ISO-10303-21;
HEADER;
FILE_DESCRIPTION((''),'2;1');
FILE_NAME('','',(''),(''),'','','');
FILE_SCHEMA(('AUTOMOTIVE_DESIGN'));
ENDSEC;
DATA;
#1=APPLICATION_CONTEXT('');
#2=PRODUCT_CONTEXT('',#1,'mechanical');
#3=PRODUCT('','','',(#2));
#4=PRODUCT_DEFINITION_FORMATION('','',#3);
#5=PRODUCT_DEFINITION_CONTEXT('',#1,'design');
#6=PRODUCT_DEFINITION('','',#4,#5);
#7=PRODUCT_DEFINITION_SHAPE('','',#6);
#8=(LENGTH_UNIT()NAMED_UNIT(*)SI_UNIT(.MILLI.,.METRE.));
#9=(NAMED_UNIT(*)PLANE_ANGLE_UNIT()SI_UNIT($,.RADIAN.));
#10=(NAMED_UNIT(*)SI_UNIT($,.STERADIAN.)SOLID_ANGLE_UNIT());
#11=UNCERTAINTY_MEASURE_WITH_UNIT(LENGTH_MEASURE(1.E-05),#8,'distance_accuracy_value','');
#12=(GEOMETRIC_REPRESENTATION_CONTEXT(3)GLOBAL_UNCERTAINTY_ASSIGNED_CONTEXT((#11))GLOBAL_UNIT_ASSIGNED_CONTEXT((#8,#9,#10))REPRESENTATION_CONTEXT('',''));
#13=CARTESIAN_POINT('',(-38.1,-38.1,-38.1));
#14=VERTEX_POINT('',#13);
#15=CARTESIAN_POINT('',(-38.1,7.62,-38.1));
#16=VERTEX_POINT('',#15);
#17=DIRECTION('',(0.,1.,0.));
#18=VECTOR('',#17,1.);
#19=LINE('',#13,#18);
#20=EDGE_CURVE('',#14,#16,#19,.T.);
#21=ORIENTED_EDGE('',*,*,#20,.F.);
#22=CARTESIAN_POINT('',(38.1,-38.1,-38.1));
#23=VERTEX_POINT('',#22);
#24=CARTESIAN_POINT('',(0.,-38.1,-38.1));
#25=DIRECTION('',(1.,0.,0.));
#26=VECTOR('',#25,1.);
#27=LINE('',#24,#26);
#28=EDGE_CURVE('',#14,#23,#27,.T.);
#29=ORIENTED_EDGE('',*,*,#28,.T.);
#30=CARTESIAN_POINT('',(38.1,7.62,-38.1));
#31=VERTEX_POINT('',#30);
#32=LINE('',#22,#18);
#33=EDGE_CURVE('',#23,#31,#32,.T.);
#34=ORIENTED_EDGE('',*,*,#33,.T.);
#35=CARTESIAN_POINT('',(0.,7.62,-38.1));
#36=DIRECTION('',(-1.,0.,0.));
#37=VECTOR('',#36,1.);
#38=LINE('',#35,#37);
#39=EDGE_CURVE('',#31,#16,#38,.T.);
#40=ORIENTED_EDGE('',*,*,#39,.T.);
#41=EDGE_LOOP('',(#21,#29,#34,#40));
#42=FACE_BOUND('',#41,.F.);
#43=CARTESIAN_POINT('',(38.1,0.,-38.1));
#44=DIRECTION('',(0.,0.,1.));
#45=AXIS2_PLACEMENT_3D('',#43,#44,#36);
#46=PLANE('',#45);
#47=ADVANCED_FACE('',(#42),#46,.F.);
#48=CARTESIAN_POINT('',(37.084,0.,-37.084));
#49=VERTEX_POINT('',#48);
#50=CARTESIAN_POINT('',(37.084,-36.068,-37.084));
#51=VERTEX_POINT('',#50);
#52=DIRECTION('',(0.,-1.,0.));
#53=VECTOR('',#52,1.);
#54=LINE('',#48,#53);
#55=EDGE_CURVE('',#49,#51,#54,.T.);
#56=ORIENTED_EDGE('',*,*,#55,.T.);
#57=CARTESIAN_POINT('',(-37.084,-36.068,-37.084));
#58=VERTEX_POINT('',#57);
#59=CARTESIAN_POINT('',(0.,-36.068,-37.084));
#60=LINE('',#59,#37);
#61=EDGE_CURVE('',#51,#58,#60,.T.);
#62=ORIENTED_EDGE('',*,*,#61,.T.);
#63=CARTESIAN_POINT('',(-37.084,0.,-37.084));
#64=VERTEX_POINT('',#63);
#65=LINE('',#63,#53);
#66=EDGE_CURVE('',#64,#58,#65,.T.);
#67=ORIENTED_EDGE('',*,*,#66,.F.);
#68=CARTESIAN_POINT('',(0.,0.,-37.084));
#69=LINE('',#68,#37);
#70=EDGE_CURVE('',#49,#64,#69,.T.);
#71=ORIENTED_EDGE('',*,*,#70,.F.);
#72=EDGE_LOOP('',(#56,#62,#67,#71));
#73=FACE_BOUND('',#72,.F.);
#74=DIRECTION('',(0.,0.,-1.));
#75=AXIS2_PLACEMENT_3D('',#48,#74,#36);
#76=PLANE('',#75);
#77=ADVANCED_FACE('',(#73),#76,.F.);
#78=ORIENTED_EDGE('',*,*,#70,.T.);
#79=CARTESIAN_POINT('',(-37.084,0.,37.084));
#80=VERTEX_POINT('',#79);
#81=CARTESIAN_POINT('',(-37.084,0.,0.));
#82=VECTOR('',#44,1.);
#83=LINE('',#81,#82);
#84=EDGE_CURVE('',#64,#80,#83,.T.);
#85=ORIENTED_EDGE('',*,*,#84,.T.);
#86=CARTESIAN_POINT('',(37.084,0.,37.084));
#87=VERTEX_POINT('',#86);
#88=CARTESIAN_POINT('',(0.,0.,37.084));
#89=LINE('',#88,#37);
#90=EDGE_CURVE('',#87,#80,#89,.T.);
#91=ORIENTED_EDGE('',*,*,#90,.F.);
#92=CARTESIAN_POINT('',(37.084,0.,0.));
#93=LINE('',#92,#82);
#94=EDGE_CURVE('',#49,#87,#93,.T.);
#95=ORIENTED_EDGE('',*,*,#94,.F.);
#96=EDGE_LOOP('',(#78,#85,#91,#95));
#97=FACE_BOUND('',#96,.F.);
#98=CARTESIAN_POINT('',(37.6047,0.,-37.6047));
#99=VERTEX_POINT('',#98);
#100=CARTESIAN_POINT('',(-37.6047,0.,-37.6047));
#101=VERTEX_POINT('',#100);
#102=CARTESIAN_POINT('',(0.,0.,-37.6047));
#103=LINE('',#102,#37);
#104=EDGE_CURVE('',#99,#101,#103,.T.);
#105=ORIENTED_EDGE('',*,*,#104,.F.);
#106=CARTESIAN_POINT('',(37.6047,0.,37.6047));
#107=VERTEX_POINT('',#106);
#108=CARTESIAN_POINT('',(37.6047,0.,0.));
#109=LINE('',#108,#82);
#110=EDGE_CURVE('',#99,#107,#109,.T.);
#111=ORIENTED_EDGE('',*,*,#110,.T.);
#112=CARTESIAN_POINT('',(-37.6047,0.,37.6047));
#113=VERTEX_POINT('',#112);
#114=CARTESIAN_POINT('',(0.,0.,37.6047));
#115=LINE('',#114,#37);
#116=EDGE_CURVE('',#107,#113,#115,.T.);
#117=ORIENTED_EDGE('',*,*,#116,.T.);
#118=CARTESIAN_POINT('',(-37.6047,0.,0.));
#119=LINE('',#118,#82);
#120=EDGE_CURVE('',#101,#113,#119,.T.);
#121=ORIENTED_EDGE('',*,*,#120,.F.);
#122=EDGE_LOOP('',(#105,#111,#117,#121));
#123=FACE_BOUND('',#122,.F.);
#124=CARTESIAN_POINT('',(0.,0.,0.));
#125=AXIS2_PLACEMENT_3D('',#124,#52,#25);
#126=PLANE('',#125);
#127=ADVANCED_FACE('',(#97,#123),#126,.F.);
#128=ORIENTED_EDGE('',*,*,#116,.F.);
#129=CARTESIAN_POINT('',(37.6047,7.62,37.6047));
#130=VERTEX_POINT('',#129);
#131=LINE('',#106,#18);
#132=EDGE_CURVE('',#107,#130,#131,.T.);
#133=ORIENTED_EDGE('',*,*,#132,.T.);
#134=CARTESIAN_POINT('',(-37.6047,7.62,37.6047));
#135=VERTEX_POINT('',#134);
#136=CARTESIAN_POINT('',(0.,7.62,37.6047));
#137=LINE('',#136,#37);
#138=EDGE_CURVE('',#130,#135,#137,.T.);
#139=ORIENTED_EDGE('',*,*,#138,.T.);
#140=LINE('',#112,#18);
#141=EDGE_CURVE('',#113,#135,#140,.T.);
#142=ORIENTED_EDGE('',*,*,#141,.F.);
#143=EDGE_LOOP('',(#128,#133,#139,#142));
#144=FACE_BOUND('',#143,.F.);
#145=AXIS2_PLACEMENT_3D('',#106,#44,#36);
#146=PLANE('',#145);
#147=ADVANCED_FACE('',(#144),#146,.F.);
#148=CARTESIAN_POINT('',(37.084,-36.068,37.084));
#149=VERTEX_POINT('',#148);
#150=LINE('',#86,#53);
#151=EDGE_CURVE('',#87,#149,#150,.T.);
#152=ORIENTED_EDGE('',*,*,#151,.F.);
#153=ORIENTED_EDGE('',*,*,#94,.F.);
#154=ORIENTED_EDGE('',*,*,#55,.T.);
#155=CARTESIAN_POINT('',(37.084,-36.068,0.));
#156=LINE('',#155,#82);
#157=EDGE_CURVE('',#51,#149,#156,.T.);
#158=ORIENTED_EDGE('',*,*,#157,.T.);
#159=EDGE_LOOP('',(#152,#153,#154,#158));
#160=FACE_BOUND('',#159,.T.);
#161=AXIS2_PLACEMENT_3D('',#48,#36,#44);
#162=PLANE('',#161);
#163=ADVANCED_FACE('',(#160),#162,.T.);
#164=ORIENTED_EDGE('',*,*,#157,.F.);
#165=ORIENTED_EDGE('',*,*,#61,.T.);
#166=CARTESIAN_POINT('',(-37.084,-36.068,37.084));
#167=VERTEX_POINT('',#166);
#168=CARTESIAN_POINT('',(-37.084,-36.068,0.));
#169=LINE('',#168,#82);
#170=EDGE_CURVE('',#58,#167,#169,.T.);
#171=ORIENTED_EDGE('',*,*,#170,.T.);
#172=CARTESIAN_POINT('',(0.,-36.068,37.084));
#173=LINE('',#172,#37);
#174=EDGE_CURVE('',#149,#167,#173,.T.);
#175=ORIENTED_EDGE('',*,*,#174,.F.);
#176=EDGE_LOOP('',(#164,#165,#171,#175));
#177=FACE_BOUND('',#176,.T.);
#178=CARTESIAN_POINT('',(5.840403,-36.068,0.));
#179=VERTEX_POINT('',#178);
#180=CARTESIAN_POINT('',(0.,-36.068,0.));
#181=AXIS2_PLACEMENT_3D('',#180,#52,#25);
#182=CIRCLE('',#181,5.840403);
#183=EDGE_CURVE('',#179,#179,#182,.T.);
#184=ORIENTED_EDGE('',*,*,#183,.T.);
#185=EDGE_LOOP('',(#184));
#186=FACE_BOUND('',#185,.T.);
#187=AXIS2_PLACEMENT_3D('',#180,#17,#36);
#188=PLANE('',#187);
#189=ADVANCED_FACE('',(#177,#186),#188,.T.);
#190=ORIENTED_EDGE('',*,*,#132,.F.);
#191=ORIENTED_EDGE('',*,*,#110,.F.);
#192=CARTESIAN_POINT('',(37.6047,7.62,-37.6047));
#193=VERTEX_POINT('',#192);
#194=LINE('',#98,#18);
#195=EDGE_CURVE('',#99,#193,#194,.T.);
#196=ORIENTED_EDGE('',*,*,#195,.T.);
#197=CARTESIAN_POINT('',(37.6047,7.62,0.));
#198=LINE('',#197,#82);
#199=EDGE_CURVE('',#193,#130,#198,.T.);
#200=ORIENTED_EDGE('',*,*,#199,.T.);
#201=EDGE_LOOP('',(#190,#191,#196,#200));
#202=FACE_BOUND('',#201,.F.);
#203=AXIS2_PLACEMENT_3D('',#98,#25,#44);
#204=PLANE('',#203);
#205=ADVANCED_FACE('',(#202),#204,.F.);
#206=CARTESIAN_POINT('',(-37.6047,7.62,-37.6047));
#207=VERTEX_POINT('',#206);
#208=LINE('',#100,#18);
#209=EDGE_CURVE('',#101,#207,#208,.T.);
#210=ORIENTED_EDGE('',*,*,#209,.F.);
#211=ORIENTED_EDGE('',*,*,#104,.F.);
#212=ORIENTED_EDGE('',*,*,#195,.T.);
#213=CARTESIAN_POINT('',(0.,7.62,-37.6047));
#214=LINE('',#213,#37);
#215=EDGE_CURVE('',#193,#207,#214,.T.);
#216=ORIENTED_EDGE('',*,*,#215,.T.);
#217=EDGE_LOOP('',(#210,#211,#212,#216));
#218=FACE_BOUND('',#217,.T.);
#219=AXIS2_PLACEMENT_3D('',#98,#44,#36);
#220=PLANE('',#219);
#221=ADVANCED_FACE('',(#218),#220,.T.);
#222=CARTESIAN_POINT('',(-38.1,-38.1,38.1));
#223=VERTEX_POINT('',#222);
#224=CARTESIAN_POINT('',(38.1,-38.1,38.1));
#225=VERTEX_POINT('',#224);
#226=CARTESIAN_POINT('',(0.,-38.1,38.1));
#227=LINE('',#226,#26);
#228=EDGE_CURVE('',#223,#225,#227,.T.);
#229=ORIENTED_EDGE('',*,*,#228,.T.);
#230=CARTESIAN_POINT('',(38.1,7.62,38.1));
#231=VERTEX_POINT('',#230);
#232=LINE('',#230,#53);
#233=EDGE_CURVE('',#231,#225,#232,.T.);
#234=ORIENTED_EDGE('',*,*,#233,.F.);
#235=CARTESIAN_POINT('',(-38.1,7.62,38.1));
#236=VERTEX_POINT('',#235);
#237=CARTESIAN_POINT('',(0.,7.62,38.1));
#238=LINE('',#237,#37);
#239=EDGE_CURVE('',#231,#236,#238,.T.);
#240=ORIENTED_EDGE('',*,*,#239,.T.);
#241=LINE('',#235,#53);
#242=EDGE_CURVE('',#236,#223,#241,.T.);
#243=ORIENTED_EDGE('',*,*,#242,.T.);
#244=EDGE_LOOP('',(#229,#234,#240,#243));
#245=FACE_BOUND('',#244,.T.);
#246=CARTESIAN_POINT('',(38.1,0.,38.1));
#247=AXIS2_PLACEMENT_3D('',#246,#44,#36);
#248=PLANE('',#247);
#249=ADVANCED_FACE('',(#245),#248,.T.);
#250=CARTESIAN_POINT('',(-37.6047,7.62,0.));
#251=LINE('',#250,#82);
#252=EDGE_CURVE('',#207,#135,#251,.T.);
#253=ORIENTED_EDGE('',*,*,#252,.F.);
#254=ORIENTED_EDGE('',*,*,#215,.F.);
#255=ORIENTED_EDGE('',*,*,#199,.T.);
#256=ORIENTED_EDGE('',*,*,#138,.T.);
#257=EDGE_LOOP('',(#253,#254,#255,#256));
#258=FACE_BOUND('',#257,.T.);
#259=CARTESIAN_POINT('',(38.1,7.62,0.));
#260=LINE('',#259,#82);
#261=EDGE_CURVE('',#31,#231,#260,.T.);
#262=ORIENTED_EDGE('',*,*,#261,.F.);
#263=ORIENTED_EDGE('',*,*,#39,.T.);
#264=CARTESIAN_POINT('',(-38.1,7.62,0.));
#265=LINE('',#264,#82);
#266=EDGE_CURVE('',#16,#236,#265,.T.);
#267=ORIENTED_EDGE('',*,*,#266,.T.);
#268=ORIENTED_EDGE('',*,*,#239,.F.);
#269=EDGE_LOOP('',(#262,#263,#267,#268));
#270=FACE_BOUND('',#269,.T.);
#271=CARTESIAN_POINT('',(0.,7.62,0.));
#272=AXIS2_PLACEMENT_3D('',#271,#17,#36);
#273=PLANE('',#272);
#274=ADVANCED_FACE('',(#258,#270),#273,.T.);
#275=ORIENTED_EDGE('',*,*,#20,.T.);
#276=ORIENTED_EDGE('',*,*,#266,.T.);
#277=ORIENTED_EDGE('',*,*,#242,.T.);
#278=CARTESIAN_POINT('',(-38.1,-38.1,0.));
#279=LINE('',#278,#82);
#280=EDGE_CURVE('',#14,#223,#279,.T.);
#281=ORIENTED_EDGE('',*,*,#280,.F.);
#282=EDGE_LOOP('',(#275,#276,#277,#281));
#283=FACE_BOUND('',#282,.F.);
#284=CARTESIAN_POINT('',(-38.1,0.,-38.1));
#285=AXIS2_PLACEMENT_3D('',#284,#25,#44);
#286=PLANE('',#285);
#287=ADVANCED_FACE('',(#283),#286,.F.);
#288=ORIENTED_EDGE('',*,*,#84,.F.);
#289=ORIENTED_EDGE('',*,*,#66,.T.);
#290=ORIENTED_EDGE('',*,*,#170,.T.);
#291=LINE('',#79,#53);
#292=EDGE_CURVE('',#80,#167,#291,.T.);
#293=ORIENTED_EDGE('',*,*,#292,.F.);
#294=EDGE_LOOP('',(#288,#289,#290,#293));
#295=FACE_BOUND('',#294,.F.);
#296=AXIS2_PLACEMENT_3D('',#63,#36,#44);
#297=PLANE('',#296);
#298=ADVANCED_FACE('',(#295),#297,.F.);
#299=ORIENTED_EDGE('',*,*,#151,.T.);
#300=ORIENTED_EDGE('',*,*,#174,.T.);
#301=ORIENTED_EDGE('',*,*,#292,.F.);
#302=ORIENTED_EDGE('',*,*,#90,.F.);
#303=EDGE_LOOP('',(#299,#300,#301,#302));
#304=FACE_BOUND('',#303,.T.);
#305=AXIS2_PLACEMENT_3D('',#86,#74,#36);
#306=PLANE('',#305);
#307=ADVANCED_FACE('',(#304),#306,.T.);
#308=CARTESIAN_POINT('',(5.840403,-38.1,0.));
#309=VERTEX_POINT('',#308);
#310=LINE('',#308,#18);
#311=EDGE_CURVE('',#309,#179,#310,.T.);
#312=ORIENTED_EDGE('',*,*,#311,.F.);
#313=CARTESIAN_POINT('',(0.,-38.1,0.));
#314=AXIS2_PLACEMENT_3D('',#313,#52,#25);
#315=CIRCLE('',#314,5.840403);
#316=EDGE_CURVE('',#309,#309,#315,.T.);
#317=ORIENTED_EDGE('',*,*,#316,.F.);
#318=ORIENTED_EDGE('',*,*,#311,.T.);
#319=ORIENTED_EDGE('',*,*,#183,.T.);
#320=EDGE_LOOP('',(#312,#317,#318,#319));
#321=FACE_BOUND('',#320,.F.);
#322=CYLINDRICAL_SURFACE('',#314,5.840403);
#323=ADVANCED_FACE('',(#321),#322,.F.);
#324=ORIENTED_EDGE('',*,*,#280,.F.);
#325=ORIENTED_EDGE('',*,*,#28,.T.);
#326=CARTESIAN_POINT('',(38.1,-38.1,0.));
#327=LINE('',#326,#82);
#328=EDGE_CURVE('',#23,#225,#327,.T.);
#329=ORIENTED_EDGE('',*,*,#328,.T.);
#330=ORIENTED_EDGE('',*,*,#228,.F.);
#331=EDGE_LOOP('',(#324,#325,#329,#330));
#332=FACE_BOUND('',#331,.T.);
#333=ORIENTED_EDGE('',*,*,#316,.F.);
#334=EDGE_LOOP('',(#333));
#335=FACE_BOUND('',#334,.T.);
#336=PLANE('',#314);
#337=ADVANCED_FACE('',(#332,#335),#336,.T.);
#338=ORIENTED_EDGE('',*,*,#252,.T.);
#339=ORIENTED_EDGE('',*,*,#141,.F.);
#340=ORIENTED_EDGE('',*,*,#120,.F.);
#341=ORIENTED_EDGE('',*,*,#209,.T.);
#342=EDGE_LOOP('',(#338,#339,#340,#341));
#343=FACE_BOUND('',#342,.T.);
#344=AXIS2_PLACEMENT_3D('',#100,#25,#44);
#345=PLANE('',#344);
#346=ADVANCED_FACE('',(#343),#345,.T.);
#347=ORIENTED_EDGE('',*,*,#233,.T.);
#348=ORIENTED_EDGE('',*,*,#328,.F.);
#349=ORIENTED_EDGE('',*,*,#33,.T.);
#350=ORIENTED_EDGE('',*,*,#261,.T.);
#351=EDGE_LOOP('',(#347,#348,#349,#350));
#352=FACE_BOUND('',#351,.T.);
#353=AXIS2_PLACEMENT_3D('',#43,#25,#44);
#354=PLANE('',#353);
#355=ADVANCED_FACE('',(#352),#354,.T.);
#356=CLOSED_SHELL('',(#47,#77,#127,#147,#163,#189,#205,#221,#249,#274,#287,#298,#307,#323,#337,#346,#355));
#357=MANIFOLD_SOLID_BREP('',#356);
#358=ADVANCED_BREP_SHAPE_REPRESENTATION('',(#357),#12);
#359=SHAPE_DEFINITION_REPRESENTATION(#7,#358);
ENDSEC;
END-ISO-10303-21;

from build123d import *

# Parameters (mm, degrees)
F0_W     = 76.2
F0_H     = 76.2
F1_DEPTH = 38.1
F2_W     = 74.168
F2_H     = 74.168
F3_DEPTH = 36.068
F4_W     = 75.2094
F4_H     = 75.2094
F4_W_2   = 76.2
F4_H_2   = 76.2
F5_DEPTH = 7.62
F6_R     = 5.840403
F7_DEPTH = 12.7


with BuildPart() as f1:
    # F0 (on Front) → F1 (new body)
    with BuildSketch(Plane.XZ):
        Rectangle(F0_W, F0_H)
    extrude(amount=F1_DEPTH)

    # F2 (on face) → F3 (cut)
    with BuildSketch(Plane(origin=(0, 0, 0), x_dir=(-1, 0, 0), z_dir=(0, 1, 0))):
        Rectangle(F2_W, F2_H)
    extrude(amount=-F3_DEPTH, mode=Mode.SUBTRACT)

    # F4 (on face) → F5 (join)
    with BuildSketch(Plane(origin=(0, 0, 0), x_dir=(-1, 0, 0), z_dir=(0, 1, 0))):
        Rectangle(F4_W, F4_H)
        Rectangle(F4_W_2, F4_H_2)
        Rectangle(F4_W, F4_H, mode=Mode.SUBTRACT)
    extrude(amount=F5_DEPTH)

    # F6 (on face) → F7 (cut)
    with BuildSketch(Plane.XZ.offset(38.1)):
        Circle(F6_R)
    extrude(amount=-F7_DEPTH, mode=Mode.SUBTRACT)


solid = f1.part
